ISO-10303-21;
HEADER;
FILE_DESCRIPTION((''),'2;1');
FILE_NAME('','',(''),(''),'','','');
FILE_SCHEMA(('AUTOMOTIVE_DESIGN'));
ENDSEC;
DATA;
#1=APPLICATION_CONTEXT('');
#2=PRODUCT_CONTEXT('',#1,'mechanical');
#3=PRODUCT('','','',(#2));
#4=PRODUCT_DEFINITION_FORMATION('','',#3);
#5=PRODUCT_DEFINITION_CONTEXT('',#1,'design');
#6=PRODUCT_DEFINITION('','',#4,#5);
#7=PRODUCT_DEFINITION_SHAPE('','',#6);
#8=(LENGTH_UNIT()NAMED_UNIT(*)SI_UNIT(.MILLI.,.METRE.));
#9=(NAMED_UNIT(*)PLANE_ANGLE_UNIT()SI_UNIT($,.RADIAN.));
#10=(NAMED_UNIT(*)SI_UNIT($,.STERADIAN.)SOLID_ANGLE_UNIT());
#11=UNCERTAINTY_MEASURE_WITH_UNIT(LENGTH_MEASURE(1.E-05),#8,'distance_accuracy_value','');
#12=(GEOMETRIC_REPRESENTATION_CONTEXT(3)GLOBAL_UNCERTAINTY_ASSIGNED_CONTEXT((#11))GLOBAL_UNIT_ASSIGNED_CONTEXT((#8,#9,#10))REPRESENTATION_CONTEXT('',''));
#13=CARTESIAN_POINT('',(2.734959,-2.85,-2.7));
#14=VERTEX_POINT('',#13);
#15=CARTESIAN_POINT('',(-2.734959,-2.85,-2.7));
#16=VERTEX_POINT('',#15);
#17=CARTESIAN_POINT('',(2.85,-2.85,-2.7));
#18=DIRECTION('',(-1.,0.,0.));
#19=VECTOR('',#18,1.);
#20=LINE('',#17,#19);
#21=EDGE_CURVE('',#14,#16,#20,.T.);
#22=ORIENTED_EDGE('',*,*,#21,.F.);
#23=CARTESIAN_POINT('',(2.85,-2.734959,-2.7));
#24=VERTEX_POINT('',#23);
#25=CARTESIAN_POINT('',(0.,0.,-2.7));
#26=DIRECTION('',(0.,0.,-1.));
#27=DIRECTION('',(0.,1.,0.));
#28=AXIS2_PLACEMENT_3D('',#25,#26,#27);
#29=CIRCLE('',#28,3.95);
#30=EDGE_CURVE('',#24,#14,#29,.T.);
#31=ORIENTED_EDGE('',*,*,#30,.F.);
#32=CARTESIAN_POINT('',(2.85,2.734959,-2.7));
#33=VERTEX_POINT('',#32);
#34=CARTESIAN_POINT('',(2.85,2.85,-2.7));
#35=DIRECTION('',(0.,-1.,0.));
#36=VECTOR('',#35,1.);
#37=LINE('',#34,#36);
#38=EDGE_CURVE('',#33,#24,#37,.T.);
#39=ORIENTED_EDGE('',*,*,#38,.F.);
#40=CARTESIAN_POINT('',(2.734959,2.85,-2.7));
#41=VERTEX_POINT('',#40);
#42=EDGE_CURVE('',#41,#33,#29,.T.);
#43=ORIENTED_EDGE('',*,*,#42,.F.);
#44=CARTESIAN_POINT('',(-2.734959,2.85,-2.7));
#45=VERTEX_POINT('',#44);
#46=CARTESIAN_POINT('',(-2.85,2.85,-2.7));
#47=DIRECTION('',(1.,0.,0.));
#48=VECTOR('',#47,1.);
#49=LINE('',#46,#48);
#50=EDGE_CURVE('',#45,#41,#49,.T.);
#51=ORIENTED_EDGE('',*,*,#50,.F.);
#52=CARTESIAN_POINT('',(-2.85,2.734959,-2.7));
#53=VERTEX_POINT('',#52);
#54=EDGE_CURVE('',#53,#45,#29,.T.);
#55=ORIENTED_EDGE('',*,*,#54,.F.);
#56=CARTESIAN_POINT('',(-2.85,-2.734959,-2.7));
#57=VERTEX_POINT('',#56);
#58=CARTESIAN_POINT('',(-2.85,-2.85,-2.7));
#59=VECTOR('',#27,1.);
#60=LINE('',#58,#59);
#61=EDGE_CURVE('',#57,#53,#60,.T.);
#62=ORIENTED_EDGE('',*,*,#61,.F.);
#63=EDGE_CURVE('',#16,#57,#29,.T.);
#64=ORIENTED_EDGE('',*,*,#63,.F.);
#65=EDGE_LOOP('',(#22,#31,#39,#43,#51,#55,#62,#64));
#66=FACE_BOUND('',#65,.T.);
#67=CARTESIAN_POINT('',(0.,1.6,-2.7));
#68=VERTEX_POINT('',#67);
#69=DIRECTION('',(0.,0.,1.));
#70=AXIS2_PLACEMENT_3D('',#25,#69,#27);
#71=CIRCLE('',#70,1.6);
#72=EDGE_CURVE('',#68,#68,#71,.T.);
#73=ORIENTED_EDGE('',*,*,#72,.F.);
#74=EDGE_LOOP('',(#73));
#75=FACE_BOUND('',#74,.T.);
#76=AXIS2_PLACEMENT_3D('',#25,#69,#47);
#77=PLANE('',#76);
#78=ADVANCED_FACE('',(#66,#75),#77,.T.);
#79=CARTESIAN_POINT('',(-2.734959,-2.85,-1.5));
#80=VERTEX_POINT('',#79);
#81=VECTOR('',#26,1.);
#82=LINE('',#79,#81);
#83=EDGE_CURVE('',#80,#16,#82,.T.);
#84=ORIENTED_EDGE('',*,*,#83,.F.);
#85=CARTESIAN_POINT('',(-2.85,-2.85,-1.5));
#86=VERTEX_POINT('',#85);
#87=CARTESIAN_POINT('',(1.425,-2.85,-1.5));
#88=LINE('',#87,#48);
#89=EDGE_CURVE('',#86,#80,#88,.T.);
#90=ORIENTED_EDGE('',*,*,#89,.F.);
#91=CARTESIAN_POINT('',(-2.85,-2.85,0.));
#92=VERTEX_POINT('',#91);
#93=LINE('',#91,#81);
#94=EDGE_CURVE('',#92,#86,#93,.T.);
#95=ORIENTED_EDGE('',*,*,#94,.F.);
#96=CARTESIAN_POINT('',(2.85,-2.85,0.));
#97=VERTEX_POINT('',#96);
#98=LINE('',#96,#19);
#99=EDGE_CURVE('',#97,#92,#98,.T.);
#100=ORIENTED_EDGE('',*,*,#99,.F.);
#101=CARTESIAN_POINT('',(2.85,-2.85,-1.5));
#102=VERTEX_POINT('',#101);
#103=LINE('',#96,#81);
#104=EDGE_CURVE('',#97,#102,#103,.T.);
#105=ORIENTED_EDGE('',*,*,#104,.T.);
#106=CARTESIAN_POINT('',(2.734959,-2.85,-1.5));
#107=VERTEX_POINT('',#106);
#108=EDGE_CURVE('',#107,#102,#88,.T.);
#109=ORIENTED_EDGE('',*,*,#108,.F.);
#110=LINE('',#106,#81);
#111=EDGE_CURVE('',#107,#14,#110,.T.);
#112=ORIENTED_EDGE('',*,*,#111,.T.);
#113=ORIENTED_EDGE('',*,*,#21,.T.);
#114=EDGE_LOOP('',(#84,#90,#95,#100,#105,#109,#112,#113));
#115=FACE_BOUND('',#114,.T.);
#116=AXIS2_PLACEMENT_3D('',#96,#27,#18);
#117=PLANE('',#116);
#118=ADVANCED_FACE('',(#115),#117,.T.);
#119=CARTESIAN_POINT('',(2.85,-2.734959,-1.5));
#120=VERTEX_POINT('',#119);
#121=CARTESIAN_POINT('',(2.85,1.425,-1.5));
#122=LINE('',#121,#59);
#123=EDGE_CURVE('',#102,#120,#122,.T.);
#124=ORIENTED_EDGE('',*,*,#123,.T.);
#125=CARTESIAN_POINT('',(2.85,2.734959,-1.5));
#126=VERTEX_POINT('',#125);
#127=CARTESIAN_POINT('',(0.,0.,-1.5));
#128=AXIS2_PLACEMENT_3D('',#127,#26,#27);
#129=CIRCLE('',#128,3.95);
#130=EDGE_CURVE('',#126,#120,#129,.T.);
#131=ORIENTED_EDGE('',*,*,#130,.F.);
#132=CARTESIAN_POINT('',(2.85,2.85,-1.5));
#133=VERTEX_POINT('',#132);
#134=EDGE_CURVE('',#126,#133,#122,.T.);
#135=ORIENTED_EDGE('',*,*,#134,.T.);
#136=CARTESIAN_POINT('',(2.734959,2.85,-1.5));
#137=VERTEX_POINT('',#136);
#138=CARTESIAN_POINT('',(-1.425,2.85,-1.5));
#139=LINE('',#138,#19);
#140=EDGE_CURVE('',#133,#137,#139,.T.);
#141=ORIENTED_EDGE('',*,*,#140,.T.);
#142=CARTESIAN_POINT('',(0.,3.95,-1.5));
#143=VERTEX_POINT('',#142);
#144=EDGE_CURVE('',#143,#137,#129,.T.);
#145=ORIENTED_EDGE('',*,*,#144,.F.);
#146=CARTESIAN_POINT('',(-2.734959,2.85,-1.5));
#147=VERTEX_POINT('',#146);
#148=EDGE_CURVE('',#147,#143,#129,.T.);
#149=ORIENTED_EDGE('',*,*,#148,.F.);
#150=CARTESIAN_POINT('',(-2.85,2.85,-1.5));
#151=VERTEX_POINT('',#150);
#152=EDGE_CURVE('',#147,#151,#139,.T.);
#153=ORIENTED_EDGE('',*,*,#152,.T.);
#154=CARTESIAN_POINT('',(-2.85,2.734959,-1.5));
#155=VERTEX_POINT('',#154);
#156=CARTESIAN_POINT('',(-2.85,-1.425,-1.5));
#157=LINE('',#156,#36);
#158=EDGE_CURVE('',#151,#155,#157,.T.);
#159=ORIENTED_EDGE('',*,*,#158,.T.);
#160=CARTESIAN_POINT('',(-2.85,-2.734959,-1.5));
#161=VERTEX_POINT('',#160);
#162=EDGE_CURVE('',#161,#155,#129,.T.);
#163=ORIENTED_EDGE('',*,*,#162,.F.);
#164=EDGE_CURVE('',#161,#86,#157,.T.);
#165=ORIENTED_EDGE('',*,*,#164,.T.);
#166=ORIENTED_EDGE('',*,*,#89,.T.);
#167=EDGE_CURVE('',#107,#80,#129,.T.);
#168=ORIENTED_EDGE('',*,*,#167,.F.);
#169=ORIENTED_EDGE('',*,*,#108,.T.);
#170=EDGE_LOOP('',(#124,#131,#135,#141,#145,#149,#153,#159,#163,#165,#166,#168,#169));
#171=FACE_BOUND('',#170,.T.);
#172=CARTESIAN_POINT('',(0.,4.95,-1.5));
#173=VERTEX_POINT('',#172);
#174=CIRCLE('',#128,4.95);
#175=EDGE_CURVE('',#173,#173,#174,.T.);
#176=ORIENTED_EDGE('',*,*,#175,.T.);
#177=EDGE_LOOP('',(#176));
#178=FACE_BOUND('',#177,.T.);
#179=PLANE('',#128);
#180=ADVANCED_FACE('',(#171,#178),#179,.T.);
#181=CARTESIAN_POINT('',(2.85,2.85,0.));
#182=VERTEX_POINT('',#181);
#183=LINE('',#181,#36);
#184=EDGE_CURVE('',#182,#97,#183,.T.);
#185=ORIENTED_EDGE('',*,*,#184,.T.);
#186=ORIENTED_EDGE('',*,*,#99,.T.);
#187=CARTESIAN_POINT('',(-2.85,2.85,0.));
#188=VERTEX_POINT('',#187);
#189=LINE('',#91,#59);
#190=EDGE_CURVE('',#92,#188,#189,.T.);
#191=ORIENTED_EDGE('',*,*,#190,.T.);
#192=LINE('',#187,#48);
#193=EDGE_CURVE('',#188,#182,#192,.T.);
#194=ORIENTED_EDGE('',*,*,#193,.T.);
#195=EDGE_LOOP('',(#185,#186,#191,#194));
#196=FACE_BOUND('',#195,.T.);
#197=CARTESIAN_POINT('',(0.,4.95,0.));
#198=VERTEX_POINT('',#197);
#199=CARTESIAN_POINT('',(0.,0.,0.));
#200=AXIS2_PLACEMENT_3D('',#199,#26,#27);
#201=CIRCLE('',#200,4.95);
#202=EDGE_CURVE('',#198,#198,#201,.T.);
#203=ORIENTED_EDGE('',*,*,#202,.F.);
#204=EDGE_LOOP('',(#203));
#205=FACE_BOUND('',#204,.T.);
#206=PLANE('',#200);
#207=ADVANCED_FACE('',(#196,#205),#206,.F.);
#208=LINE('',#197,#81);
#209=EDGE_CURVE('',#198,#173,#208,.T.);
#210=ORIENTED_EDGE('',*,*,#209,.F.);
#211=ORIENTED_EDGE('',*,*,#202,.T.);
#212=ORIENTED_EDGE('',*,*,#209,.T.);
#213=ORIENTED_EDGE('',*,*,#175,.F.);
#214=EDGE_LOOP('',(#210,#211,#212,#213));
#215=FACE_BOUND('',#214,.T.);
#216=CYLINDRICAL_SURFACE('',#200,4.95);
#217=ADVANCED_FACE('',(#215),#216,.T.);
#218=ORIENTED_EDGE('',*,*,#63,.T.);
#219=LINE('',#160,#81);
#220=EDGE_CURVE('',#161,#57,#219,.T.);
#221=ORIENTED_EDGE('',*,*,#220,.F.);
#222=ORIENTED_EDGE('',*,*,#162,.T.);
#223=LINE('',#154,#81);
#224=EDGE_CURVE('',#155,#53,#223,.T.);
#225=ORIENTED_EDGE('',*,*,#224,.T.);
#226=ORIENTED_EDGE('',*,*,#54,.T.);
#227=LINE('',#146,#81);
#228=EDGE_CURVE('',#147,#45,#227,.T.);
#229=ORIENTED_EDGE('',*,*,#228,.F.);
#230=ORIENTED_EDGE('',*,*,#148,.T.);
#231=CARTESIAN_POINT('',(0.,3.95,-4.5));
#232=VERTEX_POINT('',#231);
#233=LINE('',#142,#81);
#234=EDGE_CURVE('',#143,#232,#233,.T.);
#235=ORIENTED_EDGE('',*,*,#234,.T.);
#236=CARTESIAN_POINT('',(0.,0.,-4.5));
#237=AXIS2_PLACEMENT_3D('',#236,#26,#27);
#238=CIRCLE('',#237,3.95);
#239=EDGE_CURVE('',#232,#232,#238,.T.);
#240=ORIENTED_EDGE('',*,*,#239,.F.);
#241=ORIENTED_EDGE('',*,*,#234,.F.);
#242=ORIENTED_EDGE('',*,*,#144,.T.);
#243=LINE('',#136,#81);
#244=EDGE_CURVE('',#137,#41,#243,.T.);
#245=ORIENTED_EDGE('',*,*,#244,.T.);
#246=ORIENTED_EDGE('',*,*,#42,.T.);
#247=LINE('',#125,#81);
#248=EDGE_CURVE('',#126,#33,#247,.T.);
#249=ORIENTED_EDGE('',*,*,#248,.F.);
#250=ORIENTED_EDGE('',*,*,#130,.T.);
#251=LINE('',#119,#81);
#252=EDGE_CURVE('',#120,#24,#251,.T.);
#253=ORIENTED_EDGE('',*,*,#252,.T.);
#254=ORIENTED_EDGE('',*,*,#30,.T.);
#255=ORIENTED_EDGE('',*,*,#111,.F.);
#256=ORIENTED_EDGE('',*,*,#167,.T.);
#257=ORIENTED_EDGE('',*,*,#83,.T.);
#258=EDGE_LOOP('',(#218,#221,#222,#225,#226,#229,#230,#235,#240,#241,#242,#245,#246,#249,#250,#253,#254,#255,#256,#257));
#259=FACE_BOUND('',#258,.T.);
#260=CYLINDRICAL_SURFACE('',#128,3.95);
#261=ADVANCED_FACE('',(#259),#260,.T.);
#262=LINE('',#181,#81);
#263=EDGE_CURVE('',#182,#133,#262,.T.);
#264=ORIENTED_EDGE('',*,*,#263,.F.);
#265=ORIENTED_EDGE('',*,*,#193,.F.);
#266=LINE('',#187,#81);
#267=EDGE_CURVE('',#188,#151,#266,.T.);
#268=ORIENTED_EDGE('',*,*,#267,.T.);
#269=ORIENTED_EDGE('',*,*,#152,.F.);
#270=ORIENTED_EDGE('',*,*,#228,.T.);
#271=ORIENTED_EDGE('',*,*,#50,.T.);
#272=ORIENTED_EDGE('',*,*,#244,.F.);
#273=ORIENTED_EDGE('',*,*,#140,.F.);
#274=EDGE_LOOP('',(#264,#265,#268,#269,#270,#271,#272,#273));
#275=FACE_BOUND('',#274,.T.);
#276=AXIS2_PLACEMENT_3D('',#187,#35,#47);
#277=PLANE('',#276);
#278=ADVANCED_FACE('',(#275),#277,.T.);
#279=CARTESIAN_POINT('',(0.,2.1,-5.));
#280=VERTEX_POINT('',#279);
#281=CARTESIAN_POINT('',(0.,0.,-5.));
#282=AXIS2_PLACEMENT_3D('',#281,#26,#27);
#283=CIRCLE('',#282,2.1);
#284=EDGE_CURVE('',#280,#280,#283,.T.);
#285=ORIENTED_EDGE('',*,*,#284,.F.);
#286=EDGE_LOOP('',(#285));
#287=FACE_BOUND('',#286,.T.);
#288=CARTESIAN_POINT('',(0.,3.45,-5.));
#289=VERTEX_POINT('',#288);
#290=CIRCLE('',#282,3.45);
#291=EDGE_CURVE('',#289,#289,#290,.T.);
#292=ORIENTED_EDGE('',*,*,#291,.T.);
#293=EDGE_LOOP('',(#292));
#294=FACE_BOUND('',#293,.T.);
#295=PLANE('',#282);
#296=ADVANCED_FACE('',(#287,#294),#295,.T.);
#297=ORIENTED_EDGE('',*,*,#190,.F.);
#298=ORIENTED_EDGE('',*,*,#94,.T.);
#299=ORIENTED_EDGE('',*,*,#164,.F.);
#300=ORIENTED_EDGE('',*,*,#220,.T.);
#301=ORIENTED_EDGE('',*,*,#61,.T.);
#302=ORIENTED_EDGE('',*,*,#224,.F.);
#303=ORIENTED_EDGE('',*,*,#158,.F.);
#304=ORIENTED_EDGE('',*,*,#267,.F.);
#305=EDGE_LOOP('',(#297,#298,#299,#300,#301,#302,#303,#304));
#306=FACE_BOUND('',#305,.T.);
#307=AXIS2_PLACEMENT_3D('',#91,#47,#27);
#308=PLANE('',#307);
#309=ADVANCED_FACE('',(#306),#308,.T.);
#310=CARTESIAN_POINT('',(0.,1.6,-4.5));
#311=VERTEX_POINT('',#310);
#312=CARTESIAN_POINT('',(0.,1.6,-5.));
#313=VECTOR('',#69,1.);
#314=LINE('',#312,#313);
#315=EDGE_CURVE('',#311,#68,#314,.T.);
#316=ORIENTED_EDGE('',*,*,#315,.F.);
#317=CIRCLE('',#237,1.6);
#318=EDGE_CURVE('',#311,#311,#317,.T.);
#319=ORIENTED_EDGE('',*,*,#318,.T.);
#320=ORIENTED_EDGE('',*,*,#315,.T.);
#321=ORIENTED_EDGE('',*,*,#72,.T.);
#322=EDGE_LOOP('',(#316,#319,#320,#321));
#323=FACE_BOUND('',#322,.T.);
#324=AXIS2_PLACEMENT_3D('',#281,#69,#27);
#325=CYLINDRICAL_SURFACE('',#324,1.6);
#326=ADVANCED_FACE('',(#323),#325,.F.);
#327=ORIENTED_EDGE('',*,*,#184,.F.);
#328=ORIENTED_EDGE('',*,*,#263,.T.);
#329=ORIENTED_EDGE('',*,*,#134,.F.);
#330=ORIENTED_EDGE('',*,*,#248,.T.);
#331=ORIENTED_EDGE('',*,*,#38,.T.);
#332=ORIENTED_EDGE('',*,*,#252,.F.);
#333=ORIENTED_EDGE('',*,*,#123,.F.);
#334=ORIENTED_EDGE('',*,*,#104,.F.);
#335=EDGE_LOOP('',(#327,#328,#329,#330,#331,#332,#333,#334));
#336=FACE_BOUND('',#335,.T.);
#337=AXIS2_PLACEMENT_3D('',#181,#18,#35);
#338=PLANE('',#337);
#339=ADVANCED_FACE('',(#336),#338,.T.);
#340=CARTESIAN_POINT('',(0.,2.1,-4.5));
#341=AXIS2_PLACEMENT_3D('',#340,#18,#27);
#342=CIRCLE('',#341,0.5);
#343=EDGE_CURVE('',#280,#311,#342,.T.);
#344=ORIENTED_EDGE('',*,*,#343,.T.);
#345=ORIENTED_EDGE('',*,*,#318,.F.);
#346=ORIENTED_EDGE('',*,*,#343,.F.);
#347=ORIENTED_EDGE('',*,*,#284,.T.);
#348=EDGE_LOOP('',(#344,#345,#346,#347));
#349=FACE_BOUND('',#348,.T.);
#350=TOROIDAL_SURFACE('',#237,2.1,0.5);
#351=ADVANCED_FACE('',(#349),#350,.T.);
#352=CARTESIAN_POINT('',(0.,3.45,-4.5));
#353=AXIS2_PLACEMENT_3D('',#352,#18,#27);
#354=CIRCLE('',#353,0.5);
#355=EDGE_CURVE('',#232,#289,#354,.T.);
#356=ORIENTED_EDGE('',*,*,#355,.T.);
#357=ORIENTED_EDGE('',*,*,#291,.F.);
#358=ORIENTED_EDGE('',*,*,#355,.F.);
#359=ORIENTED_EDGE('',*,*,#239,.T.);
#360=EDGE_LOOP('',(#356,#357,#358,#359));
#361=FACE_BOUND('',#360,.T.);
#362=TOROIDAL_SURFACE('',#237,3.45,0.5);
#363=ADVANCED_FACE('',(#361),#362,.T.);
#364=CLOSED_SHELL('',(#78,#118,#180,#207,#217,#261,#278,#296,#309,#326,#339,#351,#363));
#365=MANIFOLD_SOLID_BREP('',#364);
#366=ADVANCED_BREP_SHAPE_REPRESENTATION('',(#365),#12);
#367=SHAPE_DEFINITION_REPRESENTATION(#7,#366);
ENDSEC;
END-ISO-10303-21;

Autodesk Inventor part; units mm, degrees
ref_plane "YZ Plane" through (0, 0, 0) normal (1, 0, 0) x (0, 1, 0)
ref_plane "XZ Plane" through (0, 0, 0) normal (0, 1, 0) x (-1, 0, 0)
ref_plane "XY Plane" through (0, 0, 0) normal (0, 0, 1) x (1, 0, 0)
sketch "Sketch1" plane through (0, 0, 0) normal (1, 0, 0) x (0, 1, 0)
  line L0 (0, 0) -> (1.6, 0) construction
  line L1 (1.6, 0) -> (4.95, 0)
  line L2 (4.95, 0) -> (4.95, -1.5)
  line L3 (4.95, -1.5) -> (3.95, -1.5)
  line L4 (3.95, -1.5) -> (3.95, -5)
  line L5 (3.95, -5) -> (1.6, -5)
  line L6 (1.6, -5) -> (1.6, 0)
  line L7 (0, 0) -> (0, -13.7466) construction
  dimension "d0" = 1.6
  dimension "d1" = 3.95
  dimension "d2" = 1
  dimension "d3" = 1.5
  dimension "d4" = 3.5
revolve "Revolution1" add sketch "Sketch1" angle 360 about axis through (0, 0, 0) along (0, 0, -1)
sketch "Sketch2" plane through (0, 0, 0) normal (0, 0, 1) x (1, 0, 0)
  line L0 (2.85, -2.85) -> (-2.85, -2.85)
  line L1 (-2.85, -2.85) -> (-2.85, 2.85)
  line L2 (-2.85, 2.85) -> (2.85, 2.85)
  line L3 (2.85, 2.85) -> (2.85, -2.85)
  line L4 (2.85, -2.85) -> (-2.85, 2.85) construction
  line L5 (-2.85, -2.85) -> (2.85, 2.85) construction
  point P0 (0, 0)
  dimension "d6" = 5.7
extrude "Extrusion1" cut sketch "Sketch2" against normal blind 2.7
fillet "Fillet1" radius 0.5 2 edges at (0, -3.95, -5) (0, -1.6, -5)
properties part number "HD_BearingShaft1"
